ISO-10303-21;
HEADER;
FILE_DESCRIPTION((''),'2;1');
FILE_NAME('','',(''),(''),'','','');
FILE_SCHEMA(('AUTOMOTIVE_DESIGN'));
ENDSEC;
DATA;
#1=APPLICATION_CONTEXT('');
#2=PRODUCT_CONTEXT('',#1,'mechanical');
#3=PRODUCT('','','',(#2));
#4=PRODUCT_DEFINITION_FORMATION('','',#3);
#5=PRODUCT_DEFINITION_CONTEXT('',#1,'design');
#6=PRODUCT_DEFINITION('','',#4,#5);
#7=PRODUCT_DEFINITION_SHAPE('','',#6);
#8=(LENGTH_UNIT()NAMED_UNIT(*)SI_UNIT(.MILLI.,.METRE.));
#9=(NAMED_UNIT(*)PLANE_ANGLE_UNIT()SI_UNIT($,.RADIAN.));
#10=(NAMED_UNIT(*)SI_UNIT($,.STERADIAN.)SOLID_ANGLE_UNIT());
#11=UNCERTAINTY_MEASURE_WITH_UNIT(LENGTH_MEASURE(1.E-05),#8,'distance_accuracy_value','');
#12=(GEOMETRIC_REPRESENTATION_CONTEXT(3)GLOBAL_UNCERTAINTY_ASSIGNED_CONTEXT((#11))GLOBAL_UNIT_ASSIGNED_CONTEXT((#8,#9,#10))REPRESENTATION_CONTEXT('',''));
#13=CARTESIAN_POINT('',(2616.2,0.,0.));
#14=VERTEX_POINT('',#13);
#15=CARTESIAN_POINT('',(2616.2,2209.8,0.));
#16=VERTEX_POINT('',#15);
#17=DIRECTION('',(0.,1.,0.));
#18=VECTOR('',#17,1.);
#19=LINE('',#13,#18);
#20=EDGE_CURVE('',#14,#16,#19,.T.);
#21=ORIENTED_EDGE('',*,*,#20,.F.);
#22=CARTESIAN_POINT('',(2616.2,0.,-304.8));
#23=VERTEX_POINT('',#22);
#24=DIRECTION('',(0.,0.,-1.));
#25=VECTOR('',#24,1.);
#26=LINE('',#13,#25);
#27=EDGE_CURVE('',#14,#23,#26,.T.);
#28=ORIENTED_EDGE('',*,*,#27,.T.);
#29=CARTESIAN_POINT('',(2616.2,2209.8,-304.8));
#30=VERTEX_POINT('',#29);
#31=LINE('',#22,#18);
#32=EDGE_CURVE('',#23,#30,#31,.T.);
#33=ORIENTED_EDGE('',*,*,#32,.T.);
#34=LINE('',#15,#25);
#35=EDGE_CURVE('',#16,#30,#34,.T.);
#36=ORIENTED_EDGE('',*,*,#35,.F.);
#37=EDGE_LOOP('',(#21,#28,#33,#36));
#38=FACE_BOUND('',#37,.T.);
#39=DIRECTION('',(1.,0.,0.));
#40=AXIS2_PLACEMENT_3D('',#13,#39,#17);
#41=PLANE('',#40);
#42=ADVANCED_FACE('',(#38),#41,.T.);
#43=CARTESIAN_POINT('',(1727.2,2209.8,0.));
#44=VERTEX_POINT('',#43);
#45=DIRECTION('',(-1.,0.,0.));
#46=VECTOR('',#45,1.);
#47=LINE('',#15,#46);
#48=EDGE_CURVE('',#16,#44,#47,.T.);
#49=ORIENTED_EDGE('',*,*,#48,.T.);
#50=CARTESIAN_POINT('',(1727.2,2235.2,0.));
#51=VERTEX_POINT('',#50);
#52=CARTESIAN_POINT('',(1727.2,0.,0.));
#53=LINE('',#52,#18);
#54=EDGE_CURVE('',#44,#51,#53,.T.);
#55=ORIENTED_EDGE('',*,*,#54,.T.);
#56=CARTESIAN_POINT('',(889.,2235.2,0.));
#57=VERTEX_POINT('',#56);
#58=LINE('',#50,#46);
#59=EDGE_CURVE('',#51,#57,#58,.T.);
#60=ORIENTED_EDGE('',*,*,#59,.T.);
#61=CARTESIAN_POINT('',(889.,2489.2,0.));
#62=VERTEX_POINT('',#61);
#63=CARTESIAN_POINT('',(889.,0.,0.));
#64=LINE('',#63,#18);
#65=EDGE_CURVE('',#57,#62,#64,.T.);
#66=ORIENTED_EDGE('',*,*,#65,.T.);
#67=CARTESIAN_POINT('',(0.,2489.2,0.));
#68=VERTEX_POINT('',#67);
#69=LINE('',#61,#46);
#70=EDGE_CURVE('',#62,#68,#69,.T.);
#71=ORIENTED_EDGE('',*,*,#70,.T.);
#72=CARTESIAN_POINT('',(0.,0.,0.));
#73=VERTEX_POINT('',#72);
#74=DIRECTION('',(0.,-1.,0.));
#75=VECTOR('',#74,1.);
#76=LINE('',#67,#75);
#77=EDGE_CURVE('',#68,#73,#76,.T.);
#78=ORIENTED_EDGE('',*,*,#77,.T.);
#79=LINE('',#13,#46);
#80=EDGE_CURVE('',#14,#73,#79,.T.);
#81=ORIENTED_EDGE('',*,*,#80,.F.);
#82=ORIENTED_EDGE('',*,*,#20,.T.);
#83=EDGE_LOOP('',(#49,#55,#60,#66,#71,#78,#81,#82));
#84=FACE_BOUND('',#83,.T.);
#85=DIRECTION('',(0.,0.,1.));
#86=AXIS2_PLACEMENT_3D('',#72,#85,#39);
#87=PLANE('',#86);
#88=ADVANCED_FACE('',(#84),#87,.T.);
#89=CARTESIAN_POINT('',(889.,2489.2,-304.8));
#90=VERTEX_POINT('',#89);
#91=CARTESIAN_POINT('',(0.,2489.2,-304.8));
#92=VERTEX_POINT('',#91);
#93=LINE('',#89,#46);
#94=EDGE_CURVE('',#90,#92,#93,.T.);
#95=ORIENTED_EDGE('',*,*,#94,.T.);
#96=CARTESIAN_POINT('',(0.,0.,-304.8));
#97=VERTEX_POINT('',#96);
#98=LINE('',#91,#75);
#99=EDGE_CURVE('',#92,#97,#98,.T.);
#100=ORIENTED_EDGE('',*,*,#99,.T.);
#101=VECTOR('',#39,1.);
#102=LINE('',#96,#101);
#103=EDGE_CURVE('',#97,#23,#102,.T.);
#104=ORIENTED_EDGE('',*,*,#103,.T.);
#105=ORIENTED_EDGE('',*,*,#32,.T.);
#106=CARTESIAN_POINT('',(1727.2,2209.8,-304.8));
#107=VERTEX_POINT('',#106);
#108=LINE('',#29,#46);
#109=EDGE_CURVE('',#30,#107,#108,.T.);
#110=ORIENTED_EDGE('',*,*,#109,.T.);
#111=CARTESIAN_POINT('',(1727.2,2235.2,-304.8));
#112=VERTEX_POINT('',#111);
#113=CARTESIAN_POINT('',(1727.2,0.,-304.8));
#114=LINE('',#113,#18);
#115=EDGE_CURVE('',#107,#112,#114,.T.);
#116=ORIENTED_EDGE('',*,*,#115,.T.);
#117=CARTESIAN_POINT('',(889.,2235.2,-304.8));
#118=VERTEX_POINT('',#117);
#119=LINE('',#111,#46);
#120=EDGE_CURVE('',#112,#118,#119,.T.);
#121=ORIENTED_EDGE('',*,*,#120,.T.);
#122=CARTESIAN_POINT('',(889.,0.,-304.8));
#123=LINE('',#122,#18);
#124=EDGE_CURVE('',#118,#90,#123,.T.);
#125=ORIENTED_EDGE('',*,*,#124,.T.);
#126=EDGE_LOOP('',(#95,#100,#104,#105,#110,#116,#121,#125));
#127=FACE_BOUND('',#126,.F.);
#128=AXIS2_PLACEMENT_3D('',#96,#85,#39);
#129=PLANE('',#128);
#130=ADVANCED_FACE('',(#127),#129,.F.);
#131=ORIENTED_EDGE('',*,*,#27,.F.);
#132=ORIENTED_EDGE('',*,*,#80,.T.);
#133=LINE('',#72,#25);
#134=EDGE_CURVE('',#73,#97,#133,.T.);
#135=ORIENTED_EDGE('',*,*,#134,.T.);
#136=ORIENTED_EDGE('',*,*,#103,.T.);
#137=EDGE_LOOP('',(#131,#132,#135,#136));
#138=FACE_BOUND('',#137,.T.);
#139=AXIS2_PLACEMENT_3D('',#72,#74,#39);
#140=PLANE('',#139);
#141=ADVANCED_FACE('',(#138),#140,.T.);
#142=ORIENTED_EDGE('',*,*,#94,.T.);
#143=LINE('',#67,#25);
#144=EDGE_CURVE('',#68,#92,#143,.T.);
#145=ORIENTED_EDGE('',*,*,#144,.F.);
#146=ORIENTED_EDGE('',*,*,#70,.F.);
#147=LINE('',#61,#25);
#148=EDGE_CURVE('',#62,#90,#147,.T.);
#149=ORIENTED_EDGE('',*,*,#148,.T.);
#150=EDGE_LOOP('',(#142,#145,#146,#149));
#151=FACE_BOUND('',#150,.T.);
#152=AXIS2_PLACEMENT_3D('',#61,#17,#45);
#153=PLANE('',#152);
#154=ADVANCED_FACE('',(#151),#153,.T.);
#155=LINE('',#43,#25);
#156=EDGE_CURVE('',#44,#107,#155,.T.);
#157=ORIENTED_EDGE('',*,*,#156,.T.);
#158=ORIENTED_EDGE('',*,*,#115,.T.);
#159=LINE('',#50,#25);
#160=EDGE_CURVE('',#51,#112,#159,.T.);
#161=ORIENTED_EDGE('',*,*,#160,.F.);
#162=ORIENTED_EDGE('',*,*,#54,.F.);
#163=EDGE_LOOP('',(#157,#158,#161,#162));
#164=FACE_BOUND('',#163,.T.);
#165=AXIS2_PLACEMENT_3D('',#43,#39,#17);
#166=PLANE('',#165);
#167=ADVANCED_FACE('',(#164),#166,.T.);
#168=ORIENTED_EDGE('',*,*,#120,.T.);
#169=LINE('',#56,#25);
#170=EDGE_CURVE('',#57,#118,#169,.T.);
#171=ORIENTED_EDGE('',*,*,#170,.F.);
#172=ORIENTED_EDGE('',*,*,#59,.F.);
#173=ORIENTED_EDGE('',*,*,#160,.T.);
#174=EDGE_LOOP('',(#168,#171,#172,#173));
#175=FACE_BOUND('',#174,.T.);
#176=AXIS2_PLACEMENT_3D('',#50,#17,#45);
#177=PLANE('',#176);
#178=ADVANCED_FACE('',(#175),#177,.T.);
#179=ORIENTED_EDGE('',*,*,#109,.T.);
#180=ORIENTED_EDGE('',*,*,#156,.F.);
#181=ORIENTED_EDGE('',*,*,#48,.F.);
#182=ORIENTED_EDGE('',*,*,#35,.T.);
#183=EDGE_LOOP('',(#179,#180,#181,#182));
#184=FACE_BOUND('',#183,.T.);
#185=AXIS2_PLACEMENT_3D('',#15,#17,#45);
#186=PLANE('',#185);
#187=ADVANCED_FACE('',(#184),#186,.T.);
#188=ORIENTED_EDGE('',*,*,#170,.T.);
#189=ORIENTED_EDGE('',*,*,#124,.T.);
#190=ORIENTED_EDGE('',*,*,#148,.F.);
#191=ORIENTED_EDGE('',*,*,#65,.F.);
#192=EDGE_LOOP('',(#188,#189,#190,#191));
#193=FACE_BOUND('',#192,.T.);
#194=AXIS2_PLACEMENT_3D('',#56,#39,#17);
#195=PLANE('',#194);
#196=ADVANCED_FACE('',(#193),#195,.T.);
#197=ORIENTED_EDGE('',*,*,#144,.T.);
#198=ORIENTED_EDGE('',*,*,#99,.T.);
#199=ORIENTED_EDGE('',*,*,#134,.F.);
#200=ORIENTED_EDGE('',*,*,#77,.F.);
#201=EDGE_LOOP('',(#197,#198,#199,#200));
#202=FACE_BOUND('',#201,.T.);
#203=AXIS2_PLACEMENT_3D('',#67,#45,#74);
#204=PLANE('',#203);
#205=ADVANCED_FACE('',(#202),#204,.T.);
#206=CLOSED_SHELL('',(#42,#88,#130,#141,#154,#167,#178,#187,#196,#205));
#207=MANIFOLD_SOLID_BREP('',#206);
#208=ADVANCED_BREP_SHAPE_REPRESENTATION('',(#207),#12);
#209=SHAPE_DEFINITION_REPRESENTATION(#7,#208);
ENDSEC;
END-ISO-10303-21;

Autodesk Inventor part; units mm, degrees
ref_plane "YZ Plane" through (0, 0, 0) normal (1, 0, 0) x (0, 1, 0)
ref_plane "XZ Plane" through (0, 0, 0) normal (0, 1, 0) x (-1, 0, 0)
ref_plane "XY Plane" through (0, 0, 0) normal (0, 0, 1) x (1, 0, 0)
sketch "Sketch1" plane through (0, 0, 0) normal (0, 0, 1) x (1, 0, 0)
  line L0 (0, 0) -> (889, 0)
  line L1 (889, 0) -> (889, 2489.2)
  line L2 (889, 2489.2) -> (0, 2489.2)
  line L3 (0, 2489.2) -> (0, 0)
  line L4 (889, 0) -> (1727.2, 0)
  line L5 (1727.2, 0) -> (1727.2, 2235.2)
  line L6 (1727.2, 2235.2) -> (889, 2235.2)
  line L7 (889, 2235.2) -> (889, 0)
  line L8 (1727.2, 0) -> (2616.2, 0)
  line L9 (2616.2, 0) -> (2616.2, 2209.8)
  line L10 (2616.2, 2209.8) -> (1727.2, 2209.8)
  line L11 (1727.2, 2209.8) -> (1727.2, 0)
  line L12 (2616.2, 0) -> (3454.4, 0)
  line L13 (3454.4, 0) -> (3454.4, 2489.2)
  line L14 (3454.4, 2489.2) -> (2616.2, 2489.2)
  line L15 (2616.2, 2489.2) -> (2616.2, 0)
  point P0 (2616.2, 1219.2)
  point P1 (1727.2, 1320.8)
  point P2 (889, 1219.2)
  dimension "d0" = 889
  dimension "d1" = 2489.2
  dimension "d2" = 838.2
  dimension "d3" = 2235.2
  dimension "d4" = 889
  dimension "d5" = 2209.8
  dimension "d6" = 838.2
  dimension "d7" = 2489.2
  dimension "d10" = 3454.4
extrude "Extrusion1" add sketch "Sketch1" against normal blind 304.8 contours L3 L2 L1 L0 | L1 L6 L5 L4 | L5 L10 L9 L8
properties part number "unwrappedChimney"
